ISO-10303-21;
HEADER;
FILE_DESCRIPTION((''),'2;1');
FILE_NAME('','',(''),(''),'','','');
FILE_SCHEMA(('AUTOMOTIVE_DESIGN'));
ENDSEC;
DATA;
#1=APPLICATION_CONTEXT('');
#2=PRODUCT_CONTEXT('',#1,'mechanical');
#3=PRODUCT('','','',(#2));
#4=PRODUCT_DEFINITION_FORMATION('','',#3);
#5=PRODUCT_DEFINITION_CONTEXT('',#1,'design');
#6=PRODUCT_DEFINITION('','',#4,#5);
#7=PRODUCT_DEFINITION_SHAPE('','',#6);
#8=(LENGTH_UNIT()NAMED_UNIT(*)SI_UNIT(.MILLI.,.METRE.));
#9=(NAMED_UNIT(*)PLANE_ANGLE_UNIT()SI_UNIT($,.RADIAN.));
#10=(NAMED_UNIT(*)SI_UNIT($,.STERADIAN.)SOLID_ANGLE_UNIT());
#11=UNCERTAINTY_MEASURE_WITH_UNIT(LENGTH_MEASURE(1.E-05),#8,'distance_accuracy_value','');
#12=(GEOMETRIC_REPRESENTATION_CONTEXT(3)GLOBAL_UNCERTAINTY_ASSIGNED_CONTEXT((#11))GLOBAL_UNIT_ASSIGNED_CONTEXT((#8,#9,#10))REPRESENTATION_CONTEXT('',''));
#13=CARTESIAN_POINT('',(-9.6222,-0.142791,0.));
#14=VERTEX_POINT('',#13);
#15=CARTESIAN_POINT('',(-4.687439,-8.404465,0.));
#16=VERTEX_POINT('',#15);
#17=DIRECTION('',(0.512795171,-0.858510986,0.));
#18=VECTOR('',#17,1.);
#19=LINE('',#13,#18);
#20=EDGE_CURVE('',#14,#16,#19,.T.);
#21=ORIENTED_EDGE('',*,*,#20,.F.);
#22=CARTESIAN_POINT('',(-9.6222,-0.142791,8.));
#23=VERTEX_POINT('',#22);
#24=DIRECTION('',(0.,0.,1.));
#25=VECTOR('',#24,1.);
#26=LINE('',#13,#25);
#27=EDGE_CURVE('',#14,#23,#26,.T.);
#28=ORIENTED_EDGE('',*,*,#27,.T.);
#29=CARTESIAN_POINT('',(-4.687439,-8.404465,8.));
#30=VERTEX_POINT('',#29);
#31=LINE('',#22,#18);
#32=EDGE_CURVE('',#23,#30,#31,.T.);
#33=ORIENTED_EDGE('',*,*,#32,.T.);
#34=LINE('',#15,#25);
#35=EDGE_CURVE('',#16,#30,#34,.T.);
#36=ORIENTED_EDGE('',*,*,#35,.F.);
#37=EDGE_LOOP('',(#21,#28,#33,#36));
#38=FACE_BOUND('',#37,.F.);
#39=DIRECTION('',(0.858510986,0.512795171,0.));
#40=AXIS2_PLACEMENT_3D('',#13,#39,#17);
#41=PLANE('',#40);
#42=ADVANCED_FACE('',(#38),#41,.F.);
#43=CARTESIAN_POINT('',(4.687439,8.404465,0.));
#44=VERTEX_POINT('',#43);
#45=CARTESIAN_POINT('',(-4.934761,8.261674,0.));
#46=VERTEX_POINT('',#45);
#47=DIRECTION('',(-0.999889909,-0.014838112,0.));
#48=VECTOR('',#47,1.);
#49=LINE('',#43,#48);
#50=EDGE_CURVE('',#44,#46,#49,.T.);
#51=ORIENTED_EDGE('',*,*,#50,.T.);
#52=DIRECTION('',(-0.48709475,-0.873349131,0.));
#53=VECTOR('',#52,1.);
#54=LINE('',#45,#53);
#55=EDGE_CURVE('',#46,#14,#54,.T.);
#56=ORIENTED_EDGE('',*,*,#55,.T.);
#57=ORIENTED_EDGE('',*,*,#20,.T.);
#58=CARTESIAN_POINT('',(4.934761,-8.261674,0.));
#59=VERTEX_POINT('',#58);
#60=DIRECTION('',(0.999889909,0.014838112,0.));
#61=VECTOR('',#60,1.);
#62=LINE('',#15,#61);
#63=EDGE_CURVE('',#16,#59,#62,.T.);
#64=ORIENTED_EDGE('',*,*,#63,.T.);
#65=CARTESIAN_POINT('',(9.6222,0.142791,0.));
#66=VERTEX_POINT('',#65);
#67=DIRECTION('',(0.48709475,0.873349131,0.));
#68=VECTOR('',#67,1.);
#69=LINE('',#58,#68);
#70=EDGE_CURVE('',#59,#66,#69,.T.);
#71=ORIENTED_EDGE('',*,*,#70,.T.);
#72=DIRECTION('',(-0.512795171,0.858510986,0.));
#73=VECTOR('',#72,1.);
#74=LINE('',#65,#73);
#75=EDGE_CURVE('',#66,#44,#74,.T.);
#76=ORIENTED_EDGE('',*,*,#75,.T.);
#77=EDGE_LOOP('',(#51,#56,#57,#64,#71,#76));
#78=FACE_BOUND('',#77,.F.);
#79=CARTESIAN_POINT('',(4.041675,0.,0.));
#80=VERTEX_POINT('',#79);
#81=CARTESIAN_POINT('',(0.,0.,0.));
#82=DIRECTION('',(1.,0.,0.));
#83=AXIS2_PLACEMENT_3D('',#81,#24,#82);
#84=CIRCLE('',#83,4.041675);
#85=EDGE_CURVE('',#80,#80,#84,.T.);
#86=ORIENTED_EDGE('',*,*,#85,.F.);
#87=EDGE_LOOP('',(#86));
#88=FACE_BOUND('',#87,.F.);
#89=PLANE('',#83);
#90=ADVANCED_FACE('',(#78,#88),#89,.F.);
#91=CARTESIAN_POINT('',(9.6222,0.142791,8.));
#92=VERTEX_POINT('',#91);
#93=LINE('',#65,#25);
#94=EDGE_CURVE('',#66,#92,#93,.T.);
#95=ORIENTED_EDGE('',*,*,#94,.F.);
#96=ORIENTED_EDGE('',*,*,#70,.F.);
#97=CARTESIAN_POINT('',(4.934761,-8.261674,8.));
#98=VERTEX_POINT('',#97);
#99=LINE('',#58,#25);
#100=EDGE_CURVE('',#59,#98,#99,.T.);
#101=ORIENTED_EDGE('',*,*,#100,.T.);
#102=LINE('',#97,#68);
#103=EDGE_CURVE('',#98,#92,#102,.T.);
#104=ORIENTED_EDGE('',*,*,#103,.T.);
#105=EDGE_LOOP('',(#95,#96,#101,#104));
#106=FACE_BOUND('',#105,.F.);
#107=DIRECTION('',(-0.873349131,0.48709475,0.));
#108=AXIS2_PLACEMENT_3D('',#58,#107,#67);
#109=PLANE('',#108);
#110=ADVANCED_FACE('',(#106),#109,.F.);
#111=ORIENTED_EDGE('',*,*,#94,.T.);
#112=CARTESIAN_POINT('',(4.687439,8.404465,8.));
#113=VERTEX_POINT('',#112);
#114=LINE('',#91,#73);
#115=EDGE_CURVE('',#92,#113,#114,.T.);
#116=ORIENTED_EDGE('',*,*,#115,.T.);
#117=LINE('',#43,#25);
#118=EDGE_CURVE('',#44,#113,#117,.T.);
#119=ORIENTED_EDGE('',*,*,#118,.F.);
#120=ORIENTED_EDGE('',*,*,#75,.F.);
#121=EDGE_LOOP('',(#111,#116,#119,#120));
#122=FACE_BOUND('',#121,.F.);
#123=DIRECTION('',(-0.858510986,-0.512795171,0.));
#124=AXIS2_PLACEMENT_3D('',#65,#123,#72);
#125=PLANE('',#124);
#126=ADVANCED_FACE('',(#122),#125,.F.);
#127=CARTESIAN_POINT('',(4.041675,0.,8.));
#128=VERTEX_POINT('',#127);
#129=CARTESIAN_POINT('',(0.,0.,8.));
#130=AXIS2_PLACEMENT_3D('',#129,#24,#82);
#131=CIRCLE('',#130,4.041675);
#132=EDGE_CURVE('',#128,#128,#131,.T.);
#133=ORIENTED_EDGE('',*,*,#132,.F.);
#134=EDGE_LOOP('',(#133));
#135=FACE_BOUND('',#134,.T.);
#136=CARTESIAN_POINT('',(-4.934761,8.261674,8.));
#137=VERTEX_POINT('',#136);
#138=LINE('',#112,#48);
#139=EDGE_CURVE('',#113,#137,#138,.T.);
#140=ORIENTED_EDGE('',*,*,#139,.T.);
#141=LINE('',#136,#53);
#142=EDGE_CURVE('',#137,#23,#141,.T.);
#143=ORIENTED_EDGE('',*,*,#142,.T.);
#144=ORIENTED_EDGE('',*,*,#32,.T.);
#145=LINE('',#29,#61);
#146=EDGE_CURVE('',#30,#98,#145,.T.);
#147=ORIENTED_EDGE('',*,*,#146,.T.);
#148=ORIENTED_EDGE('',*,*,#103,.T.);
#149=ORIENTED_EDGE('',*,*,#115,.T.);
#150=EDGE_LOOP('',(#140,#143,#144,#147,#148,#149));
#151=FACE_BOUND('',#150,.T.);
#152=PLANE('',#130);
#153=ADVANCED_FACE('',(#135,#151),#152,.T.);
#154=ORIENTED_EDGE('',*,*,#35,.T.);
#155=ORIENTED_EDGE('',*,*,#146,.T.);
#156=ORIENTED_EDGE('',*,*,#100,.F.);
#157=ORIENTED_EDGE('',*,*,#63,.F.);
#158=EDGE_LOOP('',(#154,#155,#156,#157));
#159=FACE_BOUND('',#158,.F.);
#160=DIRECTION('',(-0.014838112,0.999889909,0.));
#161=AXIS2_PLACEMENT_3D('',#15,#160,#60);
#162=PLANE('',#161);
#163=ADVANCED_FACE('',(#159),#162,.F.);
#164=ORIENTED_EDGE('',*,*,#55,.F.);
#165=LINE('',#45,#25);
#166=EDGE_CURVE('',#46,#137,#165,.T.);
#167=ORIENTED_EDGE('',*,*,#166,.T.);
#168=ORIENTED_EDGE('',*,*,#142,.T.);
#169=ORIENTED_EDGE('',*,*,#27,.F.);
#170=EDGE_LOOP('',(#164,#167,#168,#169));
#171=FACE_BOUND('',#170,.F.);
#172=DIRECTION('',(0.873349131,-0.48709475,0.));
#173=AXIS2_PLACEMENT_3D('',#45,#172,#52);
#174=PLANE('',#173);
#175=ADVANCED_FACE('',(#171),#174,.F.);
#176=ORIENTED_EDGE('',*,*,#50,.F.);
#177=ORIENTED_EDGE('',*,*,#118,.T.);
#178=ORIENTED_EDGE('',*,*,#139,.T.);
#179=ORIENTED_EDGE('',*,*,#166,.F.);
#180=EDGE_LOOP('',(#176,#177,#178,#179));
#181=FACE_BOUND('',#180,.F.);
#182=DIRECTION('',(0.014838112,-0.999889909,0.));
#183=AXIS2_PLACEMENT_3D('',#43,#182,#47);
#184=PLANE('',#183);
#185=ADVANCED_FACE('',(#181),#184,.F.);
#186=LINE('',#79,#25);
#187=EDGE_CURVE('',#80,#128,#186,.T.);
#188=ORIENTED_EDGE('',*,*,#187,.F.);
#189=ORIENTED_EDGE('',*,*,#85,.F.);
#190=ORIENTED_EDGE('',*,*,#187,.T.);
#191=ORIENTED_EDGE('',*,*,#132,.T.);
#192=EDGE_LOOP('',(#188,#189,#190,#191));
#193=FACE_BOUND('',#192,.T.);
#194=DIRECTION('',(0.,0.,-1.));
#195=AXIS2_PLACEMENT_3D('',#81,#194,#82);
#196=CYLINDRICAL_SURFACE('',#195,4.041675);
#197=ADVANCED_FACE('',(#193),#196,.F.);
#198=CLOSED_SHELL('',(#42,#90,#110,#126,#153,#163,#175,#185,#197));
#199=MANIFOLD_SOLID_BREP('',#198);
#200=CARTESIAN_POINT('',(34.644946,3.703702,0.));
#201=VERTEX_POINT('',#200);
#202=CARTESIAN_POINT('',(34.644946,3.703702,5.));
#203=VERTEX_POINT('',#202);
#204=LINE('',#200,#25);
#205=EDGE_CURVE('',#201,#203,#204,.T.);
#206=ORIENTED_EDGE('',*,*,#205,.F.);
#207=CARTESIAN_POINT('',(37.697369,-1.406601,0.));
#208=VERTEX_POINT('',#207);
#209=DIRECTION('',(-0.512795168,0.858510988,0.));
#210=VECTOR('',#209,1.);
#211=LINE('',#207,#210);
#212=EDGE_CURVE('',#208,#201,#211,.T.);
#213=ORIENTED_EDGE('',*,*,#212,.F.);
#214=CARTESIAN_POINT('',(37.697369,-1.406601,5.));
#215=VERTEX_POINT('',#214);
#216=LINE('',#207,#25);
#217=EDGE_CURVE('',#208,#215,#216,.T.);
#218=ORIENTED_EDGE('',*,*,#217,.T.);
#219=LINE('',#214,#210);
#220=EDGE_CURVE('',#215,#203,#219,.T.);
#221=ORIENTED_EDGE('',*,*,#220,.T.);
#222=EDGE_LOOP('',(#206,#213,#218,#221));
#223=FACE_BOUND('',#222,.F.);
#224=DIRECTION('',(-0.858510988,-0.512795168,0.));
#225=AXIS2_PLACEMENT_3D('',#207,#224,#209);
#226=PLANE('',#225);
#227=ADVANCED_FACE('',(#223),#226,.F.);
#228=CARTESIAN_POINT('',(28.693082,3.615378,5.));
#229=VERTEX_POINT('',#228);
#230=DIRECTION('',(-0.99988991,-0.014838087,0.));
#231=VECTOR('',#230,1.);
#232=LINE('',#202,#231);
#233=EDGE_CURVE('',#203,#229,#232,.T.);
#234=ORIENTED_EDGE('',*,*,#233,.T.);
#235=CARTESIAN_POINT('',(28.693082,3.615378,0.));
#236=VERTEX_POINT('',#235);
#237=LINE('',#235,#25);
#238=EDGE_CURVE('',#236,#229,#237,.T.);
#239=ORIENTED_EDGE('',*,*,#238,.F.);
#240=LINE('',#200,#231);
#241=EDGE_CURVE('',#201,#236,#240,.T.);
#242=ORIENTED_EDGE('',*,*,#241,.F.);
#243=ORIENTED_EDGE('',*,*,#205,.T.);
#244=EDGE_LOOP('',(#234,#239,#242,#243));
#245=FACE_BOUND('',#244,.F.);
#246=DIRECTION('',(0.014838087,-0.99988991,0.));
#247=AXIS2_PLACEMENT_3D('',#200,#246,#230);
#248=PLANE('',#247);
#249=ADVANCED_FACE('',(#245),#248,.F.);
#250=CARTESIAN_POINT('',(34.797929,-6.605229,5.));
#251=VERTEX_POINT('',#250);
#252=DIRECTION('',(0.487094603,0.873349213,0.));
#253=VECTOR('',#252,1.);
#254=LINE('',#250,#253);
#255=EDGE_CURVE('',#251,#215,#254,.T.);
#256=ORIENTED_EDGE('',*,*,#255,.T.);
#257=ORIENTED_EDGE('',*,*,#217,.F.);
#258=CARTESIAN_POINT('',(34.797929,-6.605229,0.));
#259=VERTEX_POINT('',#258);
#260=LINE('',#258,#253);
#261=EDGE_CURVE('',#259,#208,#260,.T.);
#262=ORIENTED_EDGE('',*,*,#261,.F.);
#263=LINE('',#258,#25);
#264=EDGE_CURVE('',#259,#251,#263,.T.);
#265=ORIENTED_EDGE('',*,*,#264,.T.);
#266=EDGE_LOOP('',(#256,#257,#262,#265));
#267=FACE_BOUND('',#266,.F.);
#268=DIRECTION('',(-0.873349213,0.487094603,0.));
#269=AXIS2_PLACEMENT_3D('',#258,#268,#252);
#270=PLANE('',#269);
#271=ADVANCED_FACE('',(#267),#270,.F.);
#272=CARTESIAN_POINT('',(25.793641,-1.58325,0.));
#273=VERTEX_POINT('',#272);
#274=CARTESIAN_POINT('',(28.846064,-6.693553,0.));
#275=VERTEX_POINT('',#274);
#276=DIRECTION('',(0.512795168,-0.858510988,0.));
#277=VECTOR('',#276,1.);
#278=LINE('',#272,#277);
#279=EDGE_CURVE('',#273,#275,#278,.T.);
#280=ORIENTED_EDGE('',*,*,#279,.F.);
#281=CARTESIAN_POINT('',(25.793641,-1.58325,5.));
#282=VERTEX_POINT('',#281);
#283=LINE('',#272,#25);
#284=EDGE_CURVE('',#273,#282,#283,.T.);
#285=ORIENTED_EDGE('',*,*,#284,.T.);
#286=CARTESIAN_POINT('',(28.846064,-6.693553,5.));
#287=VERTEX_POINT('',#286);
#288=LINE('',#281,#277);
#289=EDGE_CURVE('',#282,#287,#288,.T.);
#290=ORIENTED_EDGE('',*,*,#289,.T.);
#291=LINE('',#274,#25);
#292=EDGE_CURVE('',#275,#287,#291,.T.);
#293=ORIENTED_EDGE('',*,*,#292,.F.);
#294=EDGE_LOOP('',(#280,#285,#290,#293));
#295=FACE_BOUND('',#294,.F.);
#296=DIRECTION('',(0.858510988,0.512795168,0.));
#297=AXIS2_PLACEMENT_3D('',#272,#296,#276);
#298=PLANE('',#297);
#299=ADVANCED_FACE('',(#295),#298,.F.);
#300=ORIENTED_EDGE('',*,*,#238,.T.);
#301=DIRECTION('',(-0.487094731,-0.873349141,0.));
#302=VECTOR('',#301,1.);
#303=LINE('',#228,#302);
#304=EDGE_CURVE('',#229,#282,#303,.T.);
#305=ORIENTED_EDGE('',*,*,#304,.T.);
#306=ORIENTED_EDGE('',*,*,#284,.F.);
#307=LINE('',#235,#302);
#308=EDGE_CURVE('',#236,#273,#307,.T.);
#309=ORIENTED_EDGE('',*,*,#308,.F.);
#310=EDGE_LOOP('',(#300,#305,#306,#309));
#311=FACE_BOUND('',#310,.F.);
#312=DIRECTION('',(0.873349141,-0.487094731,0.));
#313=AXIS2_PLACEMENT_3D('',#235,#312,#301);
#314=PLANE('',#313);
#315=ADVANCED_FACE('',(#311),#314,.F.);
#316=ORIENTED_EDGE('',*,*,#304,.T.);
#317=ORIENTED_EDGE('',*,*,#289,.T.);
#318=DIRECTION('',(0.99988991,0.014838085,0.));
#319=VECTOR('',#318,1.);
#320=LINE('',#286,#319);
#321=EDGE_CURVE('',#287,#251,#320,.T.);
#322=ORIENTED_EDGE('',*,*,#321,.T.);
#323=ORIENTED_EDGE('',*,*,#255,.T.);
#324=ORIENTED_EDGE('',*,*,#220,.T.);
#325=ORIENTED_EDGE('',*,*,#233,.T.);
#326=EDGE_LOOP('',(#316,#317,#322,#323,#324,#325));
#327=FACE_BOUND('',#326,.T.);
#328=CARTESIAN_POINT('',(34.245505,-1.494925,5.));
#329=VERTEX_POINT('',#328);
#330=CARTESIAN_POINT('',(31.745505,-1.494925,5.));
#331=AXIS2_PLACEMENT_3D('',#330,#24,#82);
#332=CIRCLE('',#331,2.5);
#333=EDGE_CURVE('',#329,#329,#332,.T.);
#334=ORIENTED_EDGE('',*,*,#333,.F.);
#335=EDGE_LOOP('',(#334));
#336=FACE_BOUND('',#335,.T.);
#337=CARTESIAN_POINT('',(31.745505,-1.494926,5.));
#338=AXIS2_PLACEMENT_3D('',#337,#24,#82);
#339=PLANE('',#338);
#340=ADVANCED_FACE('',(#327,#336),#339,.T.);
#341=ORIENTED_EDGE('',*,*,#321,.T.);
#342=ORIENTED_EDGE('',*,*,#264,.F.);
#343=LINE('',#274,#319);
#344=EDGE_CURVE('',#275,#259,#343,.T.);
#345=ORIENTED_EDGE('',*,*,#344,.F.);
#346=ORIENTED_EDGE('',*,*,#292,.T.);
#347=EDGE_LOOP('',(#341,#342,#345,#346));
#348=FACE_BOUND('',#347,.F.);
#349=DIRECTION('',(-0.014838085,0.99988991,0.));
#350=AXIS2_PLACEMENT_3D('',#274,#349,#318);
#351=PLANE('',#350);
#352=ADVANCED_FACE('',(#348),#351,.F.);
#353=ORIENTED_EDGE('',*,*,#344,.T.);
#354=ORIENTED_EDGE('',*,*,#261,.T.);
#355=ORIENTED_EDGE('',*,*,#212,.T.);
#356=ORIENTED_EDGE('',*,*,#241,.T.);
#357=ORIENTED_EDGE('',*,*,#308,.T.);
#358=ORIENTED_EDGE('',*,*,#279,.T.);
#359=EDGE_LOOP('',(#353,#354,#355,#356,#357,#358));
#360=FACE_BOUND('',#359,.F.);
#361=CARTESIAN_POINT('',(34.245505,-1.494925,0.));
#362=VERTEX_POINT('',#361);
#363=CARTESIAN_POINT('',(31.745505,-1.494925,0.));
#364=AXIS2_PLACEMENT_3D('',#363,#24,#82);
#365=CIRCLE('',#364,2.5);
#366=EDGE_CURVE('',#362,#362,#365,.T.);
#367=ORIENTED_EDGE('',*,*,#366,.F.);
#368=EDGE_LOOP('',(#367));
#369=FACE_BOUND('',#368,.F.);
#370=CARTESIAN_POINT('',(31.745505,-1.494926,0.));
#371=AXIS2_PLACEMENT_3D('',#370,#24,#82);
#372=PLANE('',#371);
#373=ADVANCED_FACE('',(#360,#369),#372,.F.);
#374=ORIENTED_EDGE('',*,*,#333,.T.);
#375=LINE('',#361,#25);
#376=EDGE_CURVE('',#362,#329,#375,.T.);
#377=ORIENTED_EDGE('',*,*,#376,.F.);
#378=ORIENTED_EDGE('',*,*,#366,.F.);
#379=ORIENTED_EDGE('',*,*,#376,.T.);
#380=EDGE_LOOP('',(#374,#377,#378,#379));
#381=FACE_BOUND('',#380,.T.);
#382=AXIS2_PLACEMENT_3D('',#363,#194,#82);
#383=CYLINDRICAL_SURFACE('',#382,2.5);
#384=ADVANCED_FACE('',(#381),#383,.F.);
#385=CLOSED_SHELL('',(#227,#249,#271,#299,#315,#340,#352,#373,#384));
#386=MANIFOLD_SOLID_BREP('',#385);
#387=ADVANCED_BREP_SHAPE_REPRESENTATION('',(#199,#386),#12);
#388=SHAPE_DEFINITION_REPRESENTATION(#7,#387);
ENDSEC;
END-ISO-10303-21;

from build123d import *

# Parameters (mm, degrees)
F0_R     = 4.041675
F1_DEPTH = 8
F2_R     = 2.5
F3_DEPTH = 5


with BuildPart() as f1:
    # F0 (on Top) → F1 (new body)
    with BuildSketch(Plane.XY):
        Polygon((9.6222, 0.142791), (4.687439, 8.404465), (-4.934761, 8.261674), (-9.6222, -0.142791), (-4.687439, -8.404465), (4.934761, -8.261674), align=None)
        Circle(F0_R, mode=Mode.SUBTRACT)
    extrude(amount=F1_DEPTH)


with BuildPart() as f3:
    # F2 (on Top) → F3 (new body)
    with BuildSketch(Plane.XY):
        Polygon((37.697369, -1.406601), (34.644946, 3.703702), (28.693082, 3.615378), (25.793641, -1.58325), (28.846064, -6.693553), (34.797929, -6.605229), align=None)
        with Locations((31.745505, -1.494925)):
            Circle(F2_R, mode=Mode.SUBTRACT)
    extrude(amount=F3_DEPTH)


solid = Compound([f1.part, f3.part])
